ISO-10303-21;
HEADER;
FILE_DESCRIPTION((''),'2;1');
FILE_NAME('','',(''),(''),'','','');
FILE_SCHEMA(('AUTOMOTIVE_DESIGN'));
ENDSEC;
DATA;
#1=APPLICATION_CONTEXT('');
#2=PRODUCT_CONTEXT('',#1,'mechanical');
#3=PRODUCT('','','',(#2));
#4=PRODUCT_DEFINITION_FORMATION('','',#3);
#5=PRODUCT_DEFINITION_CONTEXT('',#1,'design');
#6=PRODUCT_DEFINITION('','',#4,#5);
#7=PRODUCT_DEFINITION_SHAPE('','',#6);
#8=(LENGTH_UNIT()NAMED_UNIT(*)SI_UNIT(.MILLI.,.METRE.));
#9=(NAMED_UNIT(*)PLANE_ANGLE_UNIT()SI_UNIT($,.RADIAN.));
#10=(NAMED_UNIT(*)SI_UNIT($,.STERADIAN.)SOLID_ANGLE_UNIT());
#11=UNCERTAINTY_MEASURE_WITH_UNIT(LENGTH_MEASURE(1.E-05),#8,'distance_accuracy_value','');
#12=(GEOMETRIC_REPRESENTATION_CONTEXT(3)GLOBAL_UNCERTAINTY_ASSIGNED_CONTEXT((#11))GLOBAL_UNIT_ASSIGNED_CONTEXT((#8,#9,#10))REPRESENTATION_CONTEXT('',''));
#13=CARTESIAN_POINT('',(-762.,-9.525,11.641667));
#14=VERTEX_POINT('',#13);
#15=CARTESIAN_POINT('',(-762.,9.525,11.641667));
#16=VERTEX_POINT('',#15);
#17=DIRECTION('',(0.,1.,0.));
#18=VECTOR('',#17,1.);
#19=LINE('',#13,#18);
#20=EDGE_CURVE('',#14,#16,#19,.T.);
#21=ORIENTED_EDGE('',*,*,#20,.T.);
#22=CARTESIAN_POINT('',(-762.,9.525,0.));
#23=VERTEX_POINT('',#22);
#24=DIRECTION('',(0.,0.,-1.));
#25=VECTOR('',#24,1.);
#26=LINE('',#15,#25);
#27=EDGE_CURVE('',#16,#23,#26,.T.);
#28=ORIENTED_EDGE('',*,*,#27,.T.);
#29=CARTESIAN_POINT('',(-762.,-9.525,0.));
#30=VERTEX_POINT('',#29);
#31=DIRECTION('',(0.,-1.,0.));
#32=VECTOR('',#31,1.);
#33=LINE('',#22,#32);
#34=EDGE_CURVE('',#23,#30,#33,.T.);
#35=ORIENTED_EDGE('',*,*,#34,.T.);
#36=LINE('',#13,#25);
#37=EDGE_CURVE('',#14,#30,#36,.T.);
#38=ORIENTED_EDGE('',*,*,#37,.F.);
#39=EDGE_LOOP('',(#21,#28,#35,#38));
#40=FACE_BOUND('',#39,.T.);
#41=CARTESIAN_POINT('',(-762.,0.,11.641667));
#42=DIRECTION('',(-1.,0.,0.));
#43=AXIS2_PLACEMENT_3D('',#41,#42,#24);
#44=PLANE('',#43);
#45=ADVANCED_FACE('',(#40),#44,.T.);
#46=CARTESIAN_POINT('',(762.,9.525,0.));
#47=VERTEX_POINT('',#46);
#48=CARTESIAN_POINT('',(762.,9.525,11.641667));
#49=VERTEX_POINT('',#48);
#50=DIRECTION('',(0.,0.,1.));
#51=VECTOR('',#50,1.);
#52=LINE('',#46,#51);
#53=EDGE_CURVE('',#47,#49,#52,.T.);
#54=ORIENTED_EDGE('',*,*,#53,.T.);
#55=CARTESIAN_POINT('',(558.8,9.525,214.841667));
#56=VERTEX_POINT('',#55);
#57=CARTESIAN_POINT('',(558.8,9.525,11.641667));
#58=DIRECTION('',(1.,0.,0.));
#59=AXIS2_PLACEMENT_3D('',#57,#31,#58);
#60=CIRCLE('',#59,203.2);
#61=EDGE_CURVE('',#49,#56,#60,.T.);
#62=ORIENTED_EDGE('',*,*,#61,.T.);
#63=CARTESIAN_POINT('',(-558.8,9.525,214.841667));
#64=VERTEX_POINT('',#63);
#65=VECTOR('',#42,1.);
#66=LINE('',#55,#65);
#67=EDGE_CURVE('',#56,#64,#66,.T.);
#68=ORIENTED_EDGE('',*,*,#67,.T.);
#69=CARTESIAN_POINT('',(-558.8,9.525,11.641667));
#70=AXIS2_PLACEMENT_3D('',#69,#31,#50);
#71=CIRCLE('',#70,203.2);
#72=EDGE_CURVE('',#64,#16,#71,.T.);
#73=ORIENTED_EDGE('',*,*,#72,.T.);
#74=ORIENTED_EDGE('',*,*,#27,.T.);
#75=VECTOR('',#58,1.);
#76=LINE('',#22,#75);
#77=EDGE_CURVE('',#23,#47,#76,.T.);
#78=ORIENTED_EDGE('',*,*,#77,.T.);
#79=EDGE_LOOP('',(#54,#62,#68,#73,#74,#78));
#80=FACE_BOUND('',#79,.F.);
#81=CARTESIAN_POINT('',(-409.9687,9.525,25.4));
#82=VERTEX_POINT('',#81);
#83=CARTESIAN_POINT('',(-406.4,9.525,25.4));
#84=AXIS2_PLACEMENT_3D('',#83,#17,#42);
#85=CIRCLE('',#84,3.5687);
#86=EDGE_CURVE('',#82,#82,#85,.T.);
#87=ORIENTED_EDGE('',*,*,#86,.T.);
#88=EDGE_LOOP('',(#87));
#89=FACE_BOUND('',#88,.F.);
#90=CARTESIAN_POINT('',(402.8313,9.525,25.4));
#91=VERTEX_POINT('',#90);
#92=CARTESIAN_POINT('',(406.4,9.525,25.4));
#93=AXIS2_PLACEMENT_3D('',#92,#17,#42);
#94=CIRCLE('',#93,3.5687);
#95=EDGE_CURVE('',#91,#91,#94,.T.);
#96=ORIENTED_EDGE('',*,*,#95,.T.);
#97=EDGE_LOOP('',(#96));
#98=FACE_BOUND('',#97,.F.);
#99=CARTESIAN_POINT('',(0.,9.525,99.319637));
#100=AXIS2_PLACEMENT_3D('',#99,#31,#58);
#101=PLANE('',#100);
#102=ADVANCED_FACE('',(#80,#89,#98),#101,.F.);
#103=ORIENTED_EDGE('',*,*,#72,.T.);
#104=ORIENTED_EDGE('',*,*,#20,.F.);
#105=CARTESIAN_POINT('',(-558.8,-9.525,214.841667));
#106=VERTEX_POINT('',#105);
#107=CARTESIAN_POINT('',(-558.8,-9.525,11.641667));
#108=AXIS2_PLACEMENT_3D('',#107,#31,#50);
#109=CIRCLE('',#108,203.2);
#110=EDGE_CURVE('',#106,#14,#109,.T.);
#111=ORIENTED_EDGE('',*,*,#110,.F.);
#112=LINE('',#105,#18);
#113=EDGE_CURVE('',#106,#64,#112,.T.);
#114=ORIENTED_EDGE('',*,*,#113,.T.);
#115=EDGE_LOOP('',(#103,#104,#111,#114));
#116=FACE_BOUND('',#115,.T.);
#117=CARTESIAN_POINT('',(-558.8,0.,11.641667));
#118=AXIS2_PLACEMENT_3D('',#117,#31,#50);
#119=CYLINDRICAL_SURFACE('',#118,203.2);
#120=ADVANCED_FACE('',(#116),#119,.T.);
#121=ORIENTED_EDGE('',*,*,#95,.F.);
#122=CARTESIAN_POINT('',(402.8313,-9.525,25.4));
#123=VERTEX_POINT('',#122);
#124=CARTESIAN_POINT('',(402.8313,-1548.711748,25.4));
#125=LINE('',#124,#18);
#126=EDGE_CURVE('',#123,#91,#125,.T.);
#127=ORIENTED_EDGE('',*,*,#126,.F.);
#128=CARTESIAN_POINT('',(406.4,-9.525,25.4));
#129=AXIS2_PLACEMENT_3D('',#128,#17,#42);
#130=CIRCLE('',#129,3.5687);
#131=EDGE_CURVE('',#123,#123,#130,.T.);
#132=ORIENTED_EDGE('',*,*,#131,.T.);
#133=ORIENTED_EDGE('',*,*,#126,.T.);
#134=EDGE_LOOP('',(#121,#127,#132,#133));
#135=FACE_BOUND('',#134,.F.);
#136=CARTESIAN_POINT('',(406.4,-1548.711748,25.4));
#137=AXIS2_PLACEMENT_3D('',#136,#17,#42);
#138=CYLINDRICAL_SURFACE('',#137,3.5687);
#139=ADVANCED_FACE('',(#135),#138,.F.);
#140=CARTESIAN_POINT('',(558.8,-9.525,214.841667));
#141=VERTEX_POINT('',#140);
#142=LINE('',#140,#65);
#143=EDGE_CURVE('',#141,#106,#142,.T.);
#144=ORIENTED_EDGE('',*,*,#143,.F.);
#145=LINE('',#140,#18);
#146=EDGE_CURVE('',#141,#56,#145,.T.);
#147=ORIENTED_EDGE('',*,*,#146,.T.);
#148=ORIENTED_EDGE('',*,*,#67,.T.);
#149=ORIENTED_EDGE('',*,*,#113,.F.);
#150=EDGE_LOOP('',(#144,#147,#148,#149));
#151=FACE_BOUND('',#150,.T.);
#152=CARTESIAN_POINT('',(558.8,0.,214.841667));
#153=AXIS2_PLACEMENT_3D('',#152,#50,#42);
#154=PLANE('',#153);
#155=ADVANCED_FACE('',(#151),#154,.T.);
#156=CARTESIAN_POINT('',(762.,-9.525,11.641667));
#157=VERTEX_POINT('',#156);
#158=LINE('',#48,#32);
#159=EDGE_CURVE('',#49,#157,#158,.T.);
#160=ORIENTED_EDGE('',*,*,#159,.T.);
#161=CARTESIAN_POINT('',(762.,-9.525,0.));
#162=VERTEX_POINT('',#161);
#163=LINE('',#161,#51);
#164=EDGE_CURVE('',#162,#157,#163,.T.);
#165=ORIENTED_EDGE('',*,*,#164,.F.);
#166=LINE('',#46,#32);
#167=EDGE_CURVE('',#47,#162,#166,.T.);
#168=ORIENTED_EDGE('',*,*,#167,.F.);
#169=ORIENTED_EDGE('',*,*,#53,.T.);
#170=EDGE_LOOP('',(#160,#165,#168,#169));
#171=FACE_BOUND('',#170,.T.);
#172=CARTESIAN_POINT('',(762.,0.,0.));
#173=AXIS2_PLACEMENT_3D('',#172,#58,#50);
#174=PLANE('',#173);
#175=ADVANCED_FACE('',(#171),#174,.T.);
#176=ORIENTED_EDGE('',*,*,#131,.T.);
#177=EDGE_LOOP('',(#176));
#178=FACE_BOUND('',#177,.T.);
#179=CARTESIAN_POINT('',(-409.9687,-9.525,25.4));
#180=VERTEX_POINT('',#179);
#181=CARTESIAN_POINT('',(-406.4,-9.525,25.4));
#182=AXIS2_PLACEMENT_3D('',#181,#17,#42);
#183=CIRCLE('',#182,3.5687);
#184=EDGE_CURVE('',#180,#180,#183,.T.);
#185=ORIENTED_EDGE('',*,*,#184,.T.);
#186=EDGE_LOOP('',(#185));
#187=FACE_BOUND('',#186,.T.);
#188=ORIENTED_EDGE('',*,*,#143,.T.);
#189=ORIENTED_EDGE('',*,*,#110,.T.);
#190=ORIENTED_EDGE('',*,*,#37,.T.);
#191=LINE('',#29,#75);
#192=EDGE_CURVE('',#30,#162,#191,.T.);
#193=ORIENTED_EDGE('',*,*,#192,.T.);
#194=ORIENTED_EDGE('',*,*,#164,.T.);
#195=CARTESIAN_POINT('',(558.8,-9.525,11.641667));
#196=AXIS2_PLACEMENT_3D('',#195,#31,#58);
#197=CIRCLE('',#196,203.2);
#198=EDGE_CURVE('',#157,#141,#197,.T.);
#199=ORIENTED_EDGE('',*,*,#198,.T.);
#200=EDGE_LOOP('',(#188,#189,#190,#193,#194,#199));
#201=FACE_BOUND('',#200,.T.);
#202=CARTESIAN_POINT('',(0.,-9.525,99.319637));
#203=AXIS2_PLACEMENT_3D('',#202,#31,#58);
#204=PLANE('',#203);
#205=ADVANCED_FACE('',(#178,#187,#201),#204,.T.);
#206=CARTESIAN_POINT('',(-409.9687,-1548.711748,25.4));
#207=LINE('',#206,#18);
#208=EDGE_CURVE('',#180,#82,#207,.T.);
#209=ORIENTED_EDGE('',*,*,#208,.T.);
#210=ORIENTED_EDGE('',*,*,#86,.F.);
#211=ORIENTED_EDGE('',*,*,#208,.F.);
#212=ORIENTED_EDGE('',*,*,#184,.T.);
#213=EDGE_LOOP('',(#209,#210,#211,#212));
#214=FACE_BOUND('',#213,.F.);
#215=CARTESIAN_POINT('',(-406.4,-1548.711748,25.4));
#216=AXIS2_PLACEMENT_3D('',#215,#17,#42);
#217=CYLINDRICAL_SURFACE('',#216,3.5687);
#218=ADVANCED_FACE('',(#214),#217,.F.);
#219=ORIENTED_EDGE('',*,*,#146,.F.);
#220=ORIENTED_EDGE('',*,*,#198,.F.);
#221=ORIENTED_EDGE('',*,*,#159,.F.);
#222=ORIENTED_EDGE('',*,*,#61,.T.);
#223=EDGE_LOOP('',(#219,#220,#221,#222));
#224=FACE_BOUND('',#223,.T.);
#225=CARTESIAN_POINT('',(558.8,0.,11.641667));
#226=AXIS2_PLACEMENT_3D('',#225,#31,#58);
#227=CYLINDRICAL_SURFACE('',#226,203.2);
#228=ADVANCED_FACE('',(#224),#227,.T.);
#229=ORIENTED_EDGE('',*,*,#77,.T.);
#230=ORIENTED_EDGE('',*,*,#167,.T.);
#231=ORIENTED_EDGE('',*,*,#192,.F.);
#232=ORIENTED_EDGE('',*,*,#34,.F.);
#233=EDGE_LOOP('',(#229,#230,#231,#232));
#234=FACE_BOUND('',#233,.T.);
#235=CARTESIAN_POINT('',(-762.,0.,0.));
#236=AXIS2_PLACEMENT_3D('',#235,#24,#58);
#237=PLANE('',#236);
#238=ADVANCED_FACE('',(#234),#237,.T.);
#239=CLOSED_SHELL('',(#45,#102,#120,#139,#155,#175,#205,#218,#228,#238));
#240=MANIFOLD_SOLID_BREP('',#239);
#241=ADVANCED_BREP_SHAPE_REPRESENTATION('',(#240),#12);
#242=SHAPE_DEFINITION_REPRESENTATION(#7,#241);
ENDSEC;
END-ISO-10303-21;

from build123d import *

# Parameters (mm, degrees)
F1_DEPTH      = 9.525
F1_DEPTH_BACK = 9.525
F3_D          = 7.1374


with BuildPart() as f1:
    # F0 (on Front) → F1 (new body, two sides)
    with BuildSketch(Plane.XZ) as f1_sk:
        with BuildLine():
            Line((-762, 11.6416666667), (-762, 0))
            Line((-762, 0), (762, 0))
            Line((762, 0), (762, 11.6416666667))
            ThreePointArc((762, 11.6416666667), (702.4840979371, 155.3257646038), (558.8, 214.8416666667))
            Line((558.8, 214.8416666667), (-558.8, 214.8416666667))
            ThreePointArc((-558.8, 214.8416666667), (-702.4840979371, 155.3257646038), (-762, 11.6416666667))
        make_face()
    extrude(amount=F1_DEPTH)
    extrude(f1_sk.sketch, amount=-F1_DEPTH_BACK)

    # F3 (through all)
    with Locations(Plane.XZ.offset(9.525)):
        with Locations((-406.4, 25.4), (406.4, 25.4)):
            Hole(F3_D / 2)


solid = f1.part
